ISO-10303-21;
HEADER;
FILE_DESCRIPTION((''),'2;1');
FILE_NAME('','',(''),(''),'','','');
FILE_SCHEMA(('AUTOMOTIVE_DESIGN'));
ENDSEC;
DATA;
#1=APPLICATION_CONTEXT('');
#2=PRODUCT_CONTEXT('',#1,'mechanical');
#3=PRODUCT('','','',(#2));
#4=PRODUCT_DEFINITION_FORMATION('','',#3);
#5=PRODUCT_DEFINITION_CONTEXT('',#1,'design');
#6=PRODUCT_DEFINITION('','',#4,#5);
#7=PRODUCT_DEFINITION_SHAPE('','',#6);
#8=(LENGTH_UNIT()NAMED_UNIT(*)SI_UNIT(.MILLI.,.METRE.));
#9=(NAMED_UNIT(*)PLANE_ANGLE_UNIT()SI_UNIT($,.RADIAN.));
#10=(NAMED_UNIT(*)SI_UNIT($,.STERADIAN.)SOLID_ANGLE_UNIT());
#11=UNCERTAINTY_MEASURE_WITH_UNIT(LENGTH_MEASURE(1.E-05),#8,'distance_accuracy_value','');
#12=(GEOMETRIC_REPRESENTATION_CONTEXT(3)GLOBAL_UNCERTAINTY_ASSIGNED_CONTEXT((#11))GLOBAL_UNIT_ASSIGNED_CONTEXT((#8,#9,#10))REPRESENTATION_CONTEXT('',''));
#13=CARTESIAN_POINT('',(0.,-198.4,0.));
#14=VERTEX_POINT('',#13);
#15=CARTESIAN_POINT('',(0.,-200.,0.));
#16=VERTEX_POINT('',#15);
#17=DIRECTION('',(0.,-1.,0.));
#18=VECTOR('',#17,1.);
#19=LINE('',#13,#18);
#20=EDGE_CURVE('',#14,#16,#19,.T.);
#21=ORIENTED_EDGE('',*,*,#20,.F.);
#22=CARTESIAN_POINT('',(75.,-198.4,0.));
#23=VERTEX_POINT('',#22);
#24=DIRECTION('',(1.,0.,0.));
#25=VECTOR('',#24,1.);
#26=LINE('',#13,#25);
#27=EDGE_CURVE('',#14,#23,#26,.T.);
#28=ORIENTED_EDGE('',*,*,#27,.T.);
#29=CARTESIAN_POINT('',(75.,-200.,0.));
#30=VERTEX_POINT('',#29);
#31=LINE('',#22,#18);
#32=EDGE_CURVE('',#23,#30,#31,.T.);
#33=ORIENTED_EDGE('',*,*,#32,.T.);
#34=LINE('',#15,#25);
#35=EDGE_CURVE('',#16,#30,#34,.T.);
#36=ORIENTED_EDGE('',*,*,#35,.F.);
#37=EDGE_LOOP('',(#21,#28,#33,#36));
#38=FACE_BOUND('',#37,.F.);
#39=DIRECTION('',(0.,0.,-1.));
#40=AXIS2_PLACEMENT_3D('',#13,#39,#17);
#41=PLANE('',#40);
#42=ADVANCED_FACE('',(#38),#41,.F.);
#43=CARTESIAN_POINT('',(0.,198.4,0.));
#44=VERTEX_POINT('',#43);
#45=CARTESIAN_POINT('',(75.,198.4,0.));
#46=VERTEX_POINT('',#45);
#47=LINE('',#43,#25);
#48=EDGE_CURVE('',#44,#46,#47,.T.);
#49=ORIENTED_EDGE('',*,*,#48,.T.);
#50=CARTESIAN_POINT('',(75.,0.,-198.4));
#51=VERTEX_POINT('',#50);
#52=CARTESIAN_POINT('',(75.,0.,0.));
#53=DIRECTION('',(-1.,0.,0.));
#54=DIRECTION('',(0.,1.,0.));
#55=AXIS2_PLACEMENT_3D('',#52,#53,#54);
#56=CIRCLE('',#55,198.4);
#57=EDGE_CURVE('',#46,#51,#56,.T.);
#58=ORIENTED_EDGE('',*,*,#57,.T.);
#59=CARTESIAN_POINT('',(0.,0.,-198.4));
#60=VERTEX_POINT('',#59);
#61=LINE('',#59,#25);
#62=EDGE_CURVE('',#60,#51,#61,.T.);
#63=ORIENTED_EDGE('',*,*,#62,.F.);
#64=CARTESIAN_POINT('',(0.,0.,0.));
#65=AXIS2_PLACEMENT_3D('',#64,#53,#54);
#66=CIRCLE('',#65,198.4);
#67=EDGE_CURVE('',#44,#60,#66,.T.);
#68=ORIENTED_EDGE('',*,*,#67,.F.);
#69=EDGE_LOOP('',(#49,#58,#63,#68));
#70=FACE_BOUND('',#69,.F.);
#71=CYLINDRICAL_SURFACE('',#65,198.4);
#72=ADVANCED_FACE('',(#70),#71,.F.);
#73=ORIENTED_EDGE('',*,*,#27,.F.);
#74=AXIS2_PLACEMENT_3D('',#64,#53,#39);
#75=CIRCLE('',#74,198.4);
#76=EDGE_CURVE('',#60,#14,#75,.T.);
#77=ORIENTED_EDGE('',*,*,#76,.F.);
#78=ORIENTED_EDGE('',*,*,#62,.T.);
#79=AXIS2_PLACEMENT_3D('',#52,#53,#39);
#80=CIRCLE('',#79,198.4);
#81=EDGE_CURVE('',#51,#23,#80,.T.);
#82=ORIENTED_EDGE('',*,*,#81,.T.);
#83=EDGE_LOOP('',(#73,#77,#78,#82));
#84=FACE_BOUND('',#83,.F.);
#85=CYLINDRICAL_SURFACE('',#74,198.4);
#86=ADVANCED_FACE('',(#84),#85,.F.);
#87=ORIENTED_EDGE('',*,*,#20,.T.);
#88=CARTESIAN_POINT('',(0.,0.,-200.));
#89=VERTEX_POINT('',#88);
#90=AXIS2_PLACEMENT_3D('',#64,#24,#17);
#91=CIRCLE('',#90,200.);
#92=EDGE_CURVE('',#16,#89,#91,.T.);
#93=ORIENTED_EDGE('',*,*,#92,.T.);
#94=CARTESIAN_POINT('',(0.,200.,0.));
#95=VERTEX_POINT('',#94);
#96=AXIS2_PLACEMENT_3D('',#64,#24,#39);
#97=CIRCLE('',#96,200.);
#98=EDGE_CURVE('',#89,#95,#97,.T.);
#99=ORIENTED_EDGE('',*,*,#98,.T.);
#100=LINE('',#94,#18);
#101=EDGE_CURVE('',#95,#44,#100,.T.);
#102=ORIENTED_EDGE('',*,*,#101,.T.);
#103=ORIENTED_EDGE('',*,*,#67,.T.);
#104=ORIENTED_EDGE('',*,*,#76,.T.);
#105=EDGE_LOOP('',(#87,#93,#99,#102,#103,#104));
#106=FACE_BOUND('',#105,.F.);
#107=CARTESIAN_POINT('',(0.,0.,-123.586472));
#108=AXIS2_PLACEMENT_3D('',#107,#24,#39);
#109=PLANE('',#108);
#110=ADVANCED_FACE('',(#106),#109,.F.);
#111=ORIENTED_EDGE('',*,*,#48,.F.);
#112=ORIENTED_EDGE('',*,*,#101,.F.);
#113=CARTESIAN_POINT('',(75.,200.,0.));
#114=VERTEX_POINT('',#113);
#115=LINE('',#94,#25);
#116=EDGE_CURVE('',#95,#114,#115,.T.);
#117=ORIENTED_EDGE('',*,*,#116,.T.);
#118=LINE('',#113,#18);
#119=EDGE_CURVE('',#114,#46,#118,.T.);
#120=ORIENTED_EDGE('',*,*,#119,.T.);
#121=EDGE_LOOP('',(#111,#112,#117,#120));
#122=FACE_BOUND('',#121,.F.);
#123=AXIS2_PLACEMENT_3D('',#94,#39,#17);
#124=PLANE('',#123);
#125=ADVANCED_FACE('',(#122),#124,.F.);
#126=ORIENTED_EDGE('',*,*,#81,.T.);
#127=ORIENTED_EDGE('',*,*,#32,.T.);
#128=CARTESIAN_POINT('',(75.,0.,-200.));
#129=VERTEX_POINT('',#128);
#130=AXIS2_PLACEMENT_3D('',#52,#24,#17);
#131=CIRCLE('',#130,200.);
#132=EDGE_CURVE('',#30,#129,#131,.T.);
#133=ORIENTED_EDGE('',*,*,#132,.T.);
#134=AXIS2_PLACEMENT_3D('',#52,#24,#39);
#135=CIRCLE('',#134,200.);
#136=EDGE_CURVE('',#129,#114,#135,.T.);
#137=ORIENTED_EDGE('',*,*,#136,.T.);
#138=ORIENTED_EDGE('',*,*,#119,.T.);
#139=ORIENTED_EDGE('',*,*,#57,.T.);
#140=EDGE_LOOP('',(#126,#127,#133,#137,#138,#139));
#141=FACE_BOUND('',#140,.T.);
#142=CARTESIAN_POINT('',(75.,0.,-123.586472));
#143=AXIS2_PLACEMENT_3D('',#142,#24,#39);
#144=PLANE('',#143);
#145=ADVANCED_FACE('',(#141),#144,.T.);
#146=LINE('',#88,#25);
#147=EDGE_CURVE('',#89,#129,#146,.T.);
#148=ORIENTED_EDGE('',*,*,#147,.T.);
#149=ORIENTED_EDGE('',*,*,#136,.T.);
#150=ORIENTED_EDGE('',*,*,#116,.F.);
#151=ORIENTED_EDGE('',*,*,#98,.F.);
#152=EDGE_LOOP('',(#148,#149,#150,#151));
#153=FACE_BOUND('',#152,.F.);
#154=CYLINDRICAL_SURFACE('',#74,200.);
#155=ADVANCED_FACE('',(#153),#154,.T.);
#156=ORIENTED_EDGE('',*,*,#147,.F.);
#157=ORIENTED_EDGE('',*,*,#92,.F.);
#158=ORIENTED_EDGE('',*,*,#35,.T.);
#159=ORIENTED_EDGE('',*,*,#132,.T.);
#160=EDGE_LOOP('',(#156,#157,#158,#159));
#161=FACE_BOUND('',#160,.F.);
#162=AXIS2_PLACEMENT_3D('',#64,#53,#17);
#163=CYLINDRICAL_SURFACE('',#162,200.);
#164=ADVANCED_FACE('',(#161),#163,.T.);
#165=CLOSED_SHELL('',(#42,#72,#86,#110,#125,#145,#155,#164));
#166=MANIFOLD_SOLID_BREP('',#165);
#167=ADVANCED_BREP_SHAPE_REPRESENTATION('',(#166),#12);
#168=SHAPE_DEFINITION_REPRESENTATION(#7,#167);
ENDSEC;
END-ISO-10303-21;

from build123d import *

# Parameters (mm, degrees)
BOSS_EXTRUDE1_DEPTH = 75


with BuildPart() as part:
    # Sketch1 → Boss-Extrude1 (new body)
    with BuildSketch(Plane(origin=(0, 0, 0), x_dir=(0, 0, -1), z_dir=(1, 0, 0))):
        with BuildLine():
            ThreePointArc((200, 0), (141.421356237, 141.421356237), (0, 200))
            Line((0, 200), (0, 198.4))
            ThreePointArc((0, 198.4), (140.289985387, 140.289985387), (198.4, 0))
            ThreePointArc((198.4, 0), (140.289985387, -140.289985387), (0, -198.4))
            Line((0, -198.4), (0, -200))
            ThreePointArc((0, -200), (141.421356237, -141.421356237), (200, 0))
        make_face()
    extrude(amount=BOSS_EXTRUDE1_DEPTH)


solid = part.part
